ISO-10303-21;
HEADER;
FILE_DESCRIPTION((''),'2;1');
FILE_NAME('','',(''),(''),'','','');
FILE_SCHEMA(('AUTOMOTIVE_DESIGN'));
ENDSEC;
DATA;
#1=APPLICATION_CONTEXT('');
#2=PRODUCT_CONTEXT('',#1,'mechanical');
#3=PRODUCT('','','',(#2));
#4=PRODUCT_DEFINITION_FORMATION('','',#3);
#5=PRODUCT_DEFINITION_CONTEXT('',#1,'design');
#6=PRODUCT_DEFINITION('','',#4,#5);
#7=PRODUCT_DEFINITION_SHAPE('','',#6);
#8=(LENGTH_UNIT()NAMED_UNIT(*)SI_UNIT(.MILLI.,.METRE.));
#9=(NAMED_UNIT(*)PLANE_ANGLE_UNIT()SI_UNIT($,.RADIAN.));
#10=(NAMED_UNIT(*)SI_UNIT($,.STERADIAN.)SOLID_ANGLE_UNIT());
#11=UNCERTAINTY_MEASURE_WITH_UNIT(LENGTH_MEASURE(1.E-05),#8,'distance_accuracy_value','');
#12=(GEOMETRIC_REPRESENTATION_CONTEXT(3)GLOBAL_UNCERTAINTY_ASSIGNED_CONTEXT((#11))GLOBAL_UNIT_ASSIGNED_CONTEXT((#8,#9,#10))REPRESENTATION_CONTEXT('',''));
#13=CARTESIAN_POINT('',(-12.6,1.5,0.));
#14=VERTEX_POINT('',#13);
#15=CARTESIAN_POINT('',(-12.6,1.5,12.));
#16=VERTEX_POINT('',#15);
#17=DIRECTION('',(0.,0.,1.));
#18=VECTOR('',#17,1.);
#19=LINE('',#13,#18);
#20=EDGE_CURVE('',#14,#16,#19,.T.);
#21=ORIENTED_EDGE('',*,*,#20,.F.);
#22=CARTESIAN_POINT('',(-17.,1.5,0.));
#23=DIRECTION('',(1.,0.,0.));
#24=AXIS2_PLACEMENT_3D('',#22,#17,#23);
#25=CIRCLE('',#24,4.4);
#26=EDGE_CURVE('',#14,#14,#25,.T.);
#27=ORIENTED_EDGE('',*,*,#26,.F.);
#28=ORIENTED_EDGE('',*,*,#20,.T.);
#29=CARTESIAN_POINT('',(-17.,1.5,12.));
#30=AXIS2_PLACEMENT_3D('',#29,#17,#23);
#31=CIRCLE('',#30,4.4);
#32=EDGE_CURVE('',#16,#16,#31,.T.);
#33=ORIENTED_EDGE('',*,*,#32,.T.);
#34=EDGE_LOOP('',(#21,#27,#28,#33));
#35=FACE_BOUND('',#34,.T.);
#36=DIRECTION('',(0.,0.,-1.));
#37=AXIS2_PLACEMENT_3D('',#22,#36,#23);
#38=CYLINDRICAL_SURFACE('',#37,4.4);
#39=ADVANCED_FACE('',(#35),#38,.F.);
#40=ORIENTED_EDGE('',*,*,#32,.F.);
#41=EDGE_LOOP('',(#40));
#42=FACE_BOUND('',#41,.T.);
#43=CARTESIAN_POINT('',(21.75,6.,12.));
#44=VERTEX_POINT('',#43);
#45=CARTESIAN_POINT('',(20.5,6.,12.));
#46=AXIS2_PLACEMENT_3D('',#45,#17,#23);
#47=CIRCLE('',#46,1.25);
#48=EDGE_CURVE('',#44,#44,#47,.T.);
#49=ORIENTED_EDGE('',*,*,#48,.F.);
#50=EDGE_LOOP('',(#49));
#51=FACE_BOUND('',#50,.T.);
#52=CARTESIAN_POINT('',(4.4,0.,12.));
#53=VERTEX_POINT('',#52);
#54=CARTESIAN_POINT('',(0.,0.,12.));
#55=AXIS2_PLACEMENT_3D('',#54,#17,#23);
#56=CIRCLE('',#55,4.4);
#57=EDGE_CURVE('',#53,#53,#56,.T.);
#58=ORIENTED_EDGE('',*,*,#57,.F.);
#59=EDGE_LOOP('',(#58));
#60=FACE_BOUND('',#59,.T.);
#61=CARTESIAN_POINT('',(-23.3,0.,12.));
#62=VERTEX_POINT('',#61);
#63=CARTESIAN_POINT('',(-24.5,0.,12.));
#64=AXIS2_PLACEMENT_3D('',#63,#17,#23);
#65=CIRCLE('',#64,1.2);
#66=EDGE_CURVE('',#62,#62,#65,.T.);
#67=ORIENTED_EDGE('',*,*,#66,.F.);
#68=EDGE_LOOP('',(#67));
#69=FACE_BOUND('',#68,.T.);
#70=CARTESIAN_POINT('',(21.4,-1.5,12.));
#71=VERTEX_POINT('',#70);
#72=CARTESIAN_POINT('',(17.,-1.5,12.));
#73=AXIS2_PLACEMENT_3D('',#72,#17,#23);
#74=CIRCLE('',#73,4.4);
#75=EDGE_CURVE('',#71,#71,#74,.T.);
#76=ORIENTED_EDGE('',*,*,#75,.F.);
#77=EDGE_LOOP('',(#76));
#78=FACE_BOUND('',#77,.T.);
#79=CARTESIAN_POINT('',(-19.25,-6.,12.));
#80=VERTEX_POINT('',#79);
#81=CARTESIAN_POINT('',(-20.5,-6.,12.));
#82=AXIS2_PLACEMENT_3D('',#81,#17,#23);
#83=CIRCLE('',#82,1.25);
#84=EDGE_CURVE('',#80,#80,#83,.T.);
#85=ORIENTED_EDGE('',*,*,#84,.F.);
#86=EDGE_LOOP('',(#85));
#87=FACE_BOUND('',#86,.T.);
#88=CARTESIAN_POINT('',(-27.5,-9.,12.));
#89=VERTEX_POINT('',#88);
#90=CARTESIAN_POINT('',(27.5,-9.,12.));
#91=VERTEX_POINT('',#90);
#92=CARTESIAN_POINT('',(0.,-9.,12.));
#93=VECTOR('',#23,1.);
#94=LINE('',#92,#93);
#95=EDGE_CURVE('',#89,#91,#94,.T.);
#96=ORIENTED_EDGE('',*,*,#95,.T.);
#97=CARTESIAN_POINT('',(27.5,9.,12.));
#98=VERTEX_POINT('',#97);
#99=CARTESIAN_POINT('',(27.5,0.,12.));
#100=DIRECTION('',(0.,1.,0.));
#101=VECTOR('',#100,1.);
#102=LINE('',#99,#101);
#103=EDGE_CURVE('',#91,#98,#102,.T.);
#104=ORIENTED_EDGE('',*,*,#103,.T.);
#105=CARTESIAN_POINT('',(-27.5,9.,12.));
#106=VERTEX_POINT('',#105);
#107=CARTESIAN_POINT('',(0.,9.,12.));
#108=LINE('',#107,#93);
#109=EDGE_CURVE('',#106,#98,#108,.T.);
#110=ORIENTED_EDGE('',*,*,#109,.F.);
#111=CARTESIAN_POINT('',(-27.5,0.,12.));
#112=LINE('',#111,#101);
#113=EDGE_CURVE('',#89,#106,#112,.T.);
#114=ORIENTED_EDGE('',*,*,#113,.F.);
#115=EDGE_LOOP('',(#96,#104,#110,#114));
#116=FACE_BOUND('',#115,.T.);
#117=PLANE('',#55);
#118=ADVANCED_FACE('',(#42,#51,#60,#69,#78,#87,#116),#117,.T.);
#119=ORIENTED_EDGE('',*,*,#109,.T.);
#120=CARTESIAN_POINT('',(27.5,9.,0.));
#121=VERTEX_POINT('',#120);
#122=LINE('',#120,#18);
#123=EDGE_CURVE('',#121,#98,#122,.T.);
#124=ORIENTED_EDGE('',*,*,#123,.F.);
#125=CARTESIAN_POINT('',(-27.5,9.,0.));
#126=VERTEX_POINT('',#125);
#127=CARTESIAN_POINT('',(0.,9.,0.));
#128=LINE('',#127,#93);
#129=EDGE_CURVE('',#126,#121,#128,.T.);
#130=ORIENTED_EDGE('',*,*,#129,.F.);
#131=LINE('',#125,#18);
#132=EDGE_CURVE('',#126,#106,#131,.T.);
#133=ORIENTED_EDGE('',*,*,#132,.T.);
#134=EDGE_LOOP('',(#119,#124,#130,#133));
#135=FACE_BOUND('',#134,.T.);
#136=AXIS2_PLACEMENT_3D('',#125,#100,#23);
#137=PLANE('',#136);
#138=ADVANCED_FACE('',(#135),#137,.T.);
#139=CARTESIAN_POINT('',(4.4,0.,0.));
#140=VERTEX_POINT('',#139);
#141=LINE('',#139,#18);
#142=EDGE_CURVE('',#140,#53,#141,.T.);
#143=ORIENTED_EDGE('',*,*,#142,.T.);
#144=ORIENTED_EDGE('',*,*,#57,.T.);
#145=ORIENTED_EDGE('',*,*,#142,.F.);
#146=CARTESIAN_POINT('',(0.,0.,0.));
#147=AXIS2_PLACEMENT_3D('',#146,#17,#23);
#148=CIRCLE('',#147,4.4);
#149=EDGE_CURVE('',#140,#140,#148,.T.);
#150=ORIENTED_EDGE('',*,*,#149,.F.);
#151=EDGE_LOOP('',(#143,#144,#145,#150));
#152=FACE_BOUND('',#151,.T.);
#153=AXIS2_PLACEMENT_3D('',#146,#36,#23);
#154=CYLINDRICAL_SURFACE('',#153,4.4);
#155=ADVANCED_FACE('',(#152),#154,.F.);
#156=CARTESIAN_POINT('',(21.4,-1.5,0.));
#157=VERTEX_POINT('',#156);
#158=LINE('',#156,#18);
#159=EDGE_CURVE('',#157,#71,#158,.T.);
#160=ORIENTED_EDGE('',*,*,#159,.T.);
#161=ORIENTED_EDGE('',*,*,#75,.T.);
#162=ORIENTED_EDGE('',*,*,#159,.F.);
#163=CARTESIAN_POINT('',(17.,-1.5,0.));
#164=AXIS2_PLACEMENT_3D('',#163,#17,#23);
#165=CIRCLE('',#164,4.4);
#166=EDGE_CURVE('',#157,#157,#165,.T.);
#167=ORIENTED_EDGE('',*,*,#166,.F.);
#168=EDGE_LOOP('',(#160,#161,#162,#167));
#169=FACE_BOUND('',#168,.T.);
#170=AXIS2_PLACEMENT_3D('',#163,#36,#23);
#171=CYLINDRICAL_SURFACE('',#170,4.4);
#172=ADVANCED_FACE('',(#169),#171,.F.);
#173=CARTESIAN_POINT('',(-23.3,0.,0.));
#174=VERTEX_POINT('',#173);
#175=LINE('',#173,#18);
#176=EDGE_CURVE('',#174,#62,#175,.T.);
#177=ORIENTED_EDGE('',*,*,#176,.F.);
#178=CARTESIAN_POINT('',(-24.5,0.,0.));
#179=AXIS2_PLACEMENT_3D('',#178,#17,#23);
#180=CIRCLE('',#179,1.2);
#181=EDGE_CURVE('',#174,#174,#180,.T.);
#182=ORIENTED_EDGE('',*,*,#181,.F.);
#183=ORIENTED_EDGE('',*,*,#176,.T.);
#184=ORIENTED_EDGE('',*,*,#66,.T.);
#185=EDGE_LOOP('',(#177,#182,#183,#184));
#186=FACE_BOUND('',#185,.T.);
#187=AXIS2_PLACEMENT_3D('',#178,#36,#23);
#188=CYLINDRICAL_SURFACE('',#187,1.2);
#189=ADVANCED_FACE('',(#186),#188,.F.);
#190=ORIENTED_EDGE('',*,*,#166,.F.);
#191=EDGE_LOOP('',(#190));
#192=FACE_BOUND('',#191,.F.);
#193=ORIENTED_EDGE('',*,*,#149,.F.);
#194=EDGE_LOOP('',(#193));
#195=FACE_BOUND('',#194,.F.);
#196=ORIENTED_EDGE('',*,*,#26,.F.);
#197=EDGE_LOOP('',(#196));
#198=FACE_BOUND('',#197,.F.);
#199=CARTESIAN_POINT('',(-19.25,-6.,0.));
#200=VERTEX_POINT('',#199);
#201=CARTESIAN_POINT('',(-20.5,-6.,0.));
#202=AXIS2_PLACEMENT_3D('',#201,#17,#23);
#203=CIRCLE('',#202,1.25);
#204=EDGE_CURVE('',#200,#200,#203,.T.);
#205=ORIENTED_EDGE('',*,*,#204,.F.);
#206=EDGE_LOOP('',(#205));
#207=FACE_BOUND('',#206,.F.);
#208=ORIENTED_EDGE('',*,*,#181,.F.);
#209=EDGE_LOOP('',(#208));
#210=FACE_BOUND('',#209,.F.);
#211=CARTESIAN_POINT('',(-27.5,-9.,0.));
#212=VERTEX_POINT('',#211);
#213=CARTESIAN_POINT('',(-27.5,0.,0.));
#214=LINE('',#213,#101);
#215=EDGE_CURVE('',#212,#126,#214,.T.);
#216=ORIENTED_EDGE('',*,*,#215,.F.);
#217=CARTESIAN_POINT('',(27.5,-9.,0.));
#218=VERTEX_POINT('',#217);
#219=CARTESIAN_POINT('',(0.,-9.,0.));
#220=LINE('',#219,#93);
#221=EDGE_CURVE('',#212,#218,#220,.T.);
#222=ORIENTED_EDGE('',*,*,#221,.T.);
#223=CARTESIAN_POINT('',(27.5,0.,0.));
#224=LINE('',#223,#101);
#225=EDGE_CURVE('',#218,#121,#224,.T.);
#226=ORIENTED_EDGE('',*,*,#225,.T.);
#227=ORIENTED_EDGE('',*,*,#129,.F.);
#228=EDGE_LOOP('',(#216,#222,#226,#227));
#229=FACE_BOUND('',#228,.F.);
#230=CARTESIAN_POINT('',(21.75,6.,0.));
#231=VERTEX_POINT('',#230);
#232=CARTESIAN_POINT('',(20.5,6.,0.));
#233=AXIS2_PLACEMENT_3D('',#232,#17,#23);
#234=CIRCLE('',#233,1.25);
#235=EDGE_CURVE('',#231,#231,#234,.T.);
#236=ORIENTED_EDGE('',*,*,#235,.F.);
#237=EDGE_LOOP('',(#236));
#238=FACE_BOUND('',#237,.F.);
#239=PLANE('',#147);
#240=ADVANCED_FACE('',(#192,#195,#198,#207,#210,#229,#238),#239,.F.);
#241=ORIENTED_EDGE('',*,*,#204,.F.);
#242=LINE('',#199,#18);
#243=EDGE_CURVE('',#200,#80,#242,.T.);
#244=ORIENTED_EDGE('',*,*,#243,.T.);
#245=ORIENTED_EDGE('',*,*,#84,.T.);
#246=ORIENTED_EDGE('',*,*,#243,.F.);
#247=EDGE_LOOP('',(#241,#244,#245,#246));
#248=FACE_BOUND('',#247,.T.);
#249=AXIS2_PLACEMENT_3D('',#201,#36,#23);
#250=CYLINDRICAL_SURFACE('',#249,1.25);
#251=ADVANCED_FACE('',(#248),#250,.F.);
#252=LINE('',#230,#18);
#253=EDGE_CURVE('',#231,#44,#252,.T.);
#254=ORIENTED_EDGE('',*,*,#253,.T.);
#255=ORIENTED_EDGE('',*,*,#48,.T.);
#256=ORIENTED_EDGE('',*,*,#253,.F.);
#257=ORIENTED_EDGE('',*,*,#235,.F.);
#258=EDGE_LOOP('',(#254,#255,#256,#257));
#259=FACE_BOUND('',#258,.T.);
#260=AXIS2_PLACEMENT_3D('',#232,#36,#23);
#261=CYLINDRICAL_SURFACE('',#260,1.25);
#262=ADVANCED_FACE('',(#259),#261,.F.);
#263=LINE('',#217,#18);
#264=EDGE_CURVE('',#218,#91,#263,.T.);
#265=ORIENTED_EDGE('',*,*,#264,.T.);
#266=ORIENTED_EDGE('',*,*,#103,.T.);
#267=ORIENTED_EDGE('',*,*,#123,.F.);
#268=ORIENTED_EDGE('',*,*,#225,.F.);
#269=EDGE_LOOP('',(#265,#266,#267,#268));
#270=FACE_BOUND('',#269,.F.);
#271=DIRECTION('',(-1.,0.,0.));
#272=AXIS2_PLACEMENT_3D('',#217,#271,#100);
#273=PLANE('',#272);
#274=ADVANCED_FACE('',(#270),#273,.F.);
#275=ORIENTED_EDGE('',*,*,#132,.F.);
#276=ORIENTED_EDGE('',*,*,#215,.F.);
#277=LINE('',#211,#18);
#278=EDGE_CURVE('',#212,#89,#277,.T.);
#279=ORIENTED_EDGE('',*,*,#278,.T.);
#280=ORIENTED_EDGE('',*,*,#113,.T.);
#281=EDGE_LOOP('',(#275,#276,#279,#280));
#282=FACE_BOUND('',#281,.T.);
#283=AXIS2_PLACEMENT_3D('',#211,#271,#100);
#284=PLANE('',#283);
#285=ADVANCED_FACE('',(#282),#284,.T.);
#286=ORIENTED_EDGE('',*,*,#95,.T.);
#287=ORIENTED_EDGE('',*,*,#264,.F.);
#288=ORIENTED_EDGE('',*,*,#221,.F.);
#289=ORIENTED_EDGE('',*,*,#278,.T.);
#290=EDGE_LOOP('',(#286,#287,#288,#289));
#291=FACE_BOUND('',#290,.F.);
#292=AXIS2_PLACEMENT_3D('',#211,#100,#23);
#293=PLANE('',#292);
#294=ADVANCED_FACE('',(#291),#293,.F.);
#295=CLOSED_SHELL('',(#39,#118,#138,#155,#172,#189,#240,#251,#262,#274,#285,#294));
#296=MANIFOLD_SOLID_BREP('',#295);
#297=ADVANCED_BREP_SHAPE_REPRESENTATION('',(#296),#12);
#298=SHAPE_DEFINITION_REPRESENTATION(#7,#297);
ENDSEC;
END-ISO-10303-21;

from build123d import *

# Parameters (mm, degrees)
F0_W     = 55
F0_H     = 18
F0_R     = 1.25
F0_R_2   = 4.4
F0_R_3   = 1.2
F1_DEPTH = 12


with BuildPart() as f1:
    # F0 (on Top) → F1 (new body)
    with BuildSketch(Plane.XY):
        Rectangle(F0_W, F0_H)
        with Locations((-20.5, -6)):
            Circle(F0_R, mode=Mode.SUBTRACT)
        with Locations((17, -1.5)):
            Circle(F0_R_2, mode=Mode.SUBTRACT)
        with Locations((-24.5, 0)):
            Circle(F0_R_3, mode=Mode.SUBTRACT)
        with Locations((-17, 1.5)):
            Circle(F0_R_2, mode=Mode.SUBTRACT)
        Circle(F0_R_2, mode=Mode.SUBTRACT)
        with Locations((20.5, 6)):
            Circle(F0_R, mode=Mode.SUBTRACT)
    extrude(amount=F1_DEPTH)


solid = f1.part
